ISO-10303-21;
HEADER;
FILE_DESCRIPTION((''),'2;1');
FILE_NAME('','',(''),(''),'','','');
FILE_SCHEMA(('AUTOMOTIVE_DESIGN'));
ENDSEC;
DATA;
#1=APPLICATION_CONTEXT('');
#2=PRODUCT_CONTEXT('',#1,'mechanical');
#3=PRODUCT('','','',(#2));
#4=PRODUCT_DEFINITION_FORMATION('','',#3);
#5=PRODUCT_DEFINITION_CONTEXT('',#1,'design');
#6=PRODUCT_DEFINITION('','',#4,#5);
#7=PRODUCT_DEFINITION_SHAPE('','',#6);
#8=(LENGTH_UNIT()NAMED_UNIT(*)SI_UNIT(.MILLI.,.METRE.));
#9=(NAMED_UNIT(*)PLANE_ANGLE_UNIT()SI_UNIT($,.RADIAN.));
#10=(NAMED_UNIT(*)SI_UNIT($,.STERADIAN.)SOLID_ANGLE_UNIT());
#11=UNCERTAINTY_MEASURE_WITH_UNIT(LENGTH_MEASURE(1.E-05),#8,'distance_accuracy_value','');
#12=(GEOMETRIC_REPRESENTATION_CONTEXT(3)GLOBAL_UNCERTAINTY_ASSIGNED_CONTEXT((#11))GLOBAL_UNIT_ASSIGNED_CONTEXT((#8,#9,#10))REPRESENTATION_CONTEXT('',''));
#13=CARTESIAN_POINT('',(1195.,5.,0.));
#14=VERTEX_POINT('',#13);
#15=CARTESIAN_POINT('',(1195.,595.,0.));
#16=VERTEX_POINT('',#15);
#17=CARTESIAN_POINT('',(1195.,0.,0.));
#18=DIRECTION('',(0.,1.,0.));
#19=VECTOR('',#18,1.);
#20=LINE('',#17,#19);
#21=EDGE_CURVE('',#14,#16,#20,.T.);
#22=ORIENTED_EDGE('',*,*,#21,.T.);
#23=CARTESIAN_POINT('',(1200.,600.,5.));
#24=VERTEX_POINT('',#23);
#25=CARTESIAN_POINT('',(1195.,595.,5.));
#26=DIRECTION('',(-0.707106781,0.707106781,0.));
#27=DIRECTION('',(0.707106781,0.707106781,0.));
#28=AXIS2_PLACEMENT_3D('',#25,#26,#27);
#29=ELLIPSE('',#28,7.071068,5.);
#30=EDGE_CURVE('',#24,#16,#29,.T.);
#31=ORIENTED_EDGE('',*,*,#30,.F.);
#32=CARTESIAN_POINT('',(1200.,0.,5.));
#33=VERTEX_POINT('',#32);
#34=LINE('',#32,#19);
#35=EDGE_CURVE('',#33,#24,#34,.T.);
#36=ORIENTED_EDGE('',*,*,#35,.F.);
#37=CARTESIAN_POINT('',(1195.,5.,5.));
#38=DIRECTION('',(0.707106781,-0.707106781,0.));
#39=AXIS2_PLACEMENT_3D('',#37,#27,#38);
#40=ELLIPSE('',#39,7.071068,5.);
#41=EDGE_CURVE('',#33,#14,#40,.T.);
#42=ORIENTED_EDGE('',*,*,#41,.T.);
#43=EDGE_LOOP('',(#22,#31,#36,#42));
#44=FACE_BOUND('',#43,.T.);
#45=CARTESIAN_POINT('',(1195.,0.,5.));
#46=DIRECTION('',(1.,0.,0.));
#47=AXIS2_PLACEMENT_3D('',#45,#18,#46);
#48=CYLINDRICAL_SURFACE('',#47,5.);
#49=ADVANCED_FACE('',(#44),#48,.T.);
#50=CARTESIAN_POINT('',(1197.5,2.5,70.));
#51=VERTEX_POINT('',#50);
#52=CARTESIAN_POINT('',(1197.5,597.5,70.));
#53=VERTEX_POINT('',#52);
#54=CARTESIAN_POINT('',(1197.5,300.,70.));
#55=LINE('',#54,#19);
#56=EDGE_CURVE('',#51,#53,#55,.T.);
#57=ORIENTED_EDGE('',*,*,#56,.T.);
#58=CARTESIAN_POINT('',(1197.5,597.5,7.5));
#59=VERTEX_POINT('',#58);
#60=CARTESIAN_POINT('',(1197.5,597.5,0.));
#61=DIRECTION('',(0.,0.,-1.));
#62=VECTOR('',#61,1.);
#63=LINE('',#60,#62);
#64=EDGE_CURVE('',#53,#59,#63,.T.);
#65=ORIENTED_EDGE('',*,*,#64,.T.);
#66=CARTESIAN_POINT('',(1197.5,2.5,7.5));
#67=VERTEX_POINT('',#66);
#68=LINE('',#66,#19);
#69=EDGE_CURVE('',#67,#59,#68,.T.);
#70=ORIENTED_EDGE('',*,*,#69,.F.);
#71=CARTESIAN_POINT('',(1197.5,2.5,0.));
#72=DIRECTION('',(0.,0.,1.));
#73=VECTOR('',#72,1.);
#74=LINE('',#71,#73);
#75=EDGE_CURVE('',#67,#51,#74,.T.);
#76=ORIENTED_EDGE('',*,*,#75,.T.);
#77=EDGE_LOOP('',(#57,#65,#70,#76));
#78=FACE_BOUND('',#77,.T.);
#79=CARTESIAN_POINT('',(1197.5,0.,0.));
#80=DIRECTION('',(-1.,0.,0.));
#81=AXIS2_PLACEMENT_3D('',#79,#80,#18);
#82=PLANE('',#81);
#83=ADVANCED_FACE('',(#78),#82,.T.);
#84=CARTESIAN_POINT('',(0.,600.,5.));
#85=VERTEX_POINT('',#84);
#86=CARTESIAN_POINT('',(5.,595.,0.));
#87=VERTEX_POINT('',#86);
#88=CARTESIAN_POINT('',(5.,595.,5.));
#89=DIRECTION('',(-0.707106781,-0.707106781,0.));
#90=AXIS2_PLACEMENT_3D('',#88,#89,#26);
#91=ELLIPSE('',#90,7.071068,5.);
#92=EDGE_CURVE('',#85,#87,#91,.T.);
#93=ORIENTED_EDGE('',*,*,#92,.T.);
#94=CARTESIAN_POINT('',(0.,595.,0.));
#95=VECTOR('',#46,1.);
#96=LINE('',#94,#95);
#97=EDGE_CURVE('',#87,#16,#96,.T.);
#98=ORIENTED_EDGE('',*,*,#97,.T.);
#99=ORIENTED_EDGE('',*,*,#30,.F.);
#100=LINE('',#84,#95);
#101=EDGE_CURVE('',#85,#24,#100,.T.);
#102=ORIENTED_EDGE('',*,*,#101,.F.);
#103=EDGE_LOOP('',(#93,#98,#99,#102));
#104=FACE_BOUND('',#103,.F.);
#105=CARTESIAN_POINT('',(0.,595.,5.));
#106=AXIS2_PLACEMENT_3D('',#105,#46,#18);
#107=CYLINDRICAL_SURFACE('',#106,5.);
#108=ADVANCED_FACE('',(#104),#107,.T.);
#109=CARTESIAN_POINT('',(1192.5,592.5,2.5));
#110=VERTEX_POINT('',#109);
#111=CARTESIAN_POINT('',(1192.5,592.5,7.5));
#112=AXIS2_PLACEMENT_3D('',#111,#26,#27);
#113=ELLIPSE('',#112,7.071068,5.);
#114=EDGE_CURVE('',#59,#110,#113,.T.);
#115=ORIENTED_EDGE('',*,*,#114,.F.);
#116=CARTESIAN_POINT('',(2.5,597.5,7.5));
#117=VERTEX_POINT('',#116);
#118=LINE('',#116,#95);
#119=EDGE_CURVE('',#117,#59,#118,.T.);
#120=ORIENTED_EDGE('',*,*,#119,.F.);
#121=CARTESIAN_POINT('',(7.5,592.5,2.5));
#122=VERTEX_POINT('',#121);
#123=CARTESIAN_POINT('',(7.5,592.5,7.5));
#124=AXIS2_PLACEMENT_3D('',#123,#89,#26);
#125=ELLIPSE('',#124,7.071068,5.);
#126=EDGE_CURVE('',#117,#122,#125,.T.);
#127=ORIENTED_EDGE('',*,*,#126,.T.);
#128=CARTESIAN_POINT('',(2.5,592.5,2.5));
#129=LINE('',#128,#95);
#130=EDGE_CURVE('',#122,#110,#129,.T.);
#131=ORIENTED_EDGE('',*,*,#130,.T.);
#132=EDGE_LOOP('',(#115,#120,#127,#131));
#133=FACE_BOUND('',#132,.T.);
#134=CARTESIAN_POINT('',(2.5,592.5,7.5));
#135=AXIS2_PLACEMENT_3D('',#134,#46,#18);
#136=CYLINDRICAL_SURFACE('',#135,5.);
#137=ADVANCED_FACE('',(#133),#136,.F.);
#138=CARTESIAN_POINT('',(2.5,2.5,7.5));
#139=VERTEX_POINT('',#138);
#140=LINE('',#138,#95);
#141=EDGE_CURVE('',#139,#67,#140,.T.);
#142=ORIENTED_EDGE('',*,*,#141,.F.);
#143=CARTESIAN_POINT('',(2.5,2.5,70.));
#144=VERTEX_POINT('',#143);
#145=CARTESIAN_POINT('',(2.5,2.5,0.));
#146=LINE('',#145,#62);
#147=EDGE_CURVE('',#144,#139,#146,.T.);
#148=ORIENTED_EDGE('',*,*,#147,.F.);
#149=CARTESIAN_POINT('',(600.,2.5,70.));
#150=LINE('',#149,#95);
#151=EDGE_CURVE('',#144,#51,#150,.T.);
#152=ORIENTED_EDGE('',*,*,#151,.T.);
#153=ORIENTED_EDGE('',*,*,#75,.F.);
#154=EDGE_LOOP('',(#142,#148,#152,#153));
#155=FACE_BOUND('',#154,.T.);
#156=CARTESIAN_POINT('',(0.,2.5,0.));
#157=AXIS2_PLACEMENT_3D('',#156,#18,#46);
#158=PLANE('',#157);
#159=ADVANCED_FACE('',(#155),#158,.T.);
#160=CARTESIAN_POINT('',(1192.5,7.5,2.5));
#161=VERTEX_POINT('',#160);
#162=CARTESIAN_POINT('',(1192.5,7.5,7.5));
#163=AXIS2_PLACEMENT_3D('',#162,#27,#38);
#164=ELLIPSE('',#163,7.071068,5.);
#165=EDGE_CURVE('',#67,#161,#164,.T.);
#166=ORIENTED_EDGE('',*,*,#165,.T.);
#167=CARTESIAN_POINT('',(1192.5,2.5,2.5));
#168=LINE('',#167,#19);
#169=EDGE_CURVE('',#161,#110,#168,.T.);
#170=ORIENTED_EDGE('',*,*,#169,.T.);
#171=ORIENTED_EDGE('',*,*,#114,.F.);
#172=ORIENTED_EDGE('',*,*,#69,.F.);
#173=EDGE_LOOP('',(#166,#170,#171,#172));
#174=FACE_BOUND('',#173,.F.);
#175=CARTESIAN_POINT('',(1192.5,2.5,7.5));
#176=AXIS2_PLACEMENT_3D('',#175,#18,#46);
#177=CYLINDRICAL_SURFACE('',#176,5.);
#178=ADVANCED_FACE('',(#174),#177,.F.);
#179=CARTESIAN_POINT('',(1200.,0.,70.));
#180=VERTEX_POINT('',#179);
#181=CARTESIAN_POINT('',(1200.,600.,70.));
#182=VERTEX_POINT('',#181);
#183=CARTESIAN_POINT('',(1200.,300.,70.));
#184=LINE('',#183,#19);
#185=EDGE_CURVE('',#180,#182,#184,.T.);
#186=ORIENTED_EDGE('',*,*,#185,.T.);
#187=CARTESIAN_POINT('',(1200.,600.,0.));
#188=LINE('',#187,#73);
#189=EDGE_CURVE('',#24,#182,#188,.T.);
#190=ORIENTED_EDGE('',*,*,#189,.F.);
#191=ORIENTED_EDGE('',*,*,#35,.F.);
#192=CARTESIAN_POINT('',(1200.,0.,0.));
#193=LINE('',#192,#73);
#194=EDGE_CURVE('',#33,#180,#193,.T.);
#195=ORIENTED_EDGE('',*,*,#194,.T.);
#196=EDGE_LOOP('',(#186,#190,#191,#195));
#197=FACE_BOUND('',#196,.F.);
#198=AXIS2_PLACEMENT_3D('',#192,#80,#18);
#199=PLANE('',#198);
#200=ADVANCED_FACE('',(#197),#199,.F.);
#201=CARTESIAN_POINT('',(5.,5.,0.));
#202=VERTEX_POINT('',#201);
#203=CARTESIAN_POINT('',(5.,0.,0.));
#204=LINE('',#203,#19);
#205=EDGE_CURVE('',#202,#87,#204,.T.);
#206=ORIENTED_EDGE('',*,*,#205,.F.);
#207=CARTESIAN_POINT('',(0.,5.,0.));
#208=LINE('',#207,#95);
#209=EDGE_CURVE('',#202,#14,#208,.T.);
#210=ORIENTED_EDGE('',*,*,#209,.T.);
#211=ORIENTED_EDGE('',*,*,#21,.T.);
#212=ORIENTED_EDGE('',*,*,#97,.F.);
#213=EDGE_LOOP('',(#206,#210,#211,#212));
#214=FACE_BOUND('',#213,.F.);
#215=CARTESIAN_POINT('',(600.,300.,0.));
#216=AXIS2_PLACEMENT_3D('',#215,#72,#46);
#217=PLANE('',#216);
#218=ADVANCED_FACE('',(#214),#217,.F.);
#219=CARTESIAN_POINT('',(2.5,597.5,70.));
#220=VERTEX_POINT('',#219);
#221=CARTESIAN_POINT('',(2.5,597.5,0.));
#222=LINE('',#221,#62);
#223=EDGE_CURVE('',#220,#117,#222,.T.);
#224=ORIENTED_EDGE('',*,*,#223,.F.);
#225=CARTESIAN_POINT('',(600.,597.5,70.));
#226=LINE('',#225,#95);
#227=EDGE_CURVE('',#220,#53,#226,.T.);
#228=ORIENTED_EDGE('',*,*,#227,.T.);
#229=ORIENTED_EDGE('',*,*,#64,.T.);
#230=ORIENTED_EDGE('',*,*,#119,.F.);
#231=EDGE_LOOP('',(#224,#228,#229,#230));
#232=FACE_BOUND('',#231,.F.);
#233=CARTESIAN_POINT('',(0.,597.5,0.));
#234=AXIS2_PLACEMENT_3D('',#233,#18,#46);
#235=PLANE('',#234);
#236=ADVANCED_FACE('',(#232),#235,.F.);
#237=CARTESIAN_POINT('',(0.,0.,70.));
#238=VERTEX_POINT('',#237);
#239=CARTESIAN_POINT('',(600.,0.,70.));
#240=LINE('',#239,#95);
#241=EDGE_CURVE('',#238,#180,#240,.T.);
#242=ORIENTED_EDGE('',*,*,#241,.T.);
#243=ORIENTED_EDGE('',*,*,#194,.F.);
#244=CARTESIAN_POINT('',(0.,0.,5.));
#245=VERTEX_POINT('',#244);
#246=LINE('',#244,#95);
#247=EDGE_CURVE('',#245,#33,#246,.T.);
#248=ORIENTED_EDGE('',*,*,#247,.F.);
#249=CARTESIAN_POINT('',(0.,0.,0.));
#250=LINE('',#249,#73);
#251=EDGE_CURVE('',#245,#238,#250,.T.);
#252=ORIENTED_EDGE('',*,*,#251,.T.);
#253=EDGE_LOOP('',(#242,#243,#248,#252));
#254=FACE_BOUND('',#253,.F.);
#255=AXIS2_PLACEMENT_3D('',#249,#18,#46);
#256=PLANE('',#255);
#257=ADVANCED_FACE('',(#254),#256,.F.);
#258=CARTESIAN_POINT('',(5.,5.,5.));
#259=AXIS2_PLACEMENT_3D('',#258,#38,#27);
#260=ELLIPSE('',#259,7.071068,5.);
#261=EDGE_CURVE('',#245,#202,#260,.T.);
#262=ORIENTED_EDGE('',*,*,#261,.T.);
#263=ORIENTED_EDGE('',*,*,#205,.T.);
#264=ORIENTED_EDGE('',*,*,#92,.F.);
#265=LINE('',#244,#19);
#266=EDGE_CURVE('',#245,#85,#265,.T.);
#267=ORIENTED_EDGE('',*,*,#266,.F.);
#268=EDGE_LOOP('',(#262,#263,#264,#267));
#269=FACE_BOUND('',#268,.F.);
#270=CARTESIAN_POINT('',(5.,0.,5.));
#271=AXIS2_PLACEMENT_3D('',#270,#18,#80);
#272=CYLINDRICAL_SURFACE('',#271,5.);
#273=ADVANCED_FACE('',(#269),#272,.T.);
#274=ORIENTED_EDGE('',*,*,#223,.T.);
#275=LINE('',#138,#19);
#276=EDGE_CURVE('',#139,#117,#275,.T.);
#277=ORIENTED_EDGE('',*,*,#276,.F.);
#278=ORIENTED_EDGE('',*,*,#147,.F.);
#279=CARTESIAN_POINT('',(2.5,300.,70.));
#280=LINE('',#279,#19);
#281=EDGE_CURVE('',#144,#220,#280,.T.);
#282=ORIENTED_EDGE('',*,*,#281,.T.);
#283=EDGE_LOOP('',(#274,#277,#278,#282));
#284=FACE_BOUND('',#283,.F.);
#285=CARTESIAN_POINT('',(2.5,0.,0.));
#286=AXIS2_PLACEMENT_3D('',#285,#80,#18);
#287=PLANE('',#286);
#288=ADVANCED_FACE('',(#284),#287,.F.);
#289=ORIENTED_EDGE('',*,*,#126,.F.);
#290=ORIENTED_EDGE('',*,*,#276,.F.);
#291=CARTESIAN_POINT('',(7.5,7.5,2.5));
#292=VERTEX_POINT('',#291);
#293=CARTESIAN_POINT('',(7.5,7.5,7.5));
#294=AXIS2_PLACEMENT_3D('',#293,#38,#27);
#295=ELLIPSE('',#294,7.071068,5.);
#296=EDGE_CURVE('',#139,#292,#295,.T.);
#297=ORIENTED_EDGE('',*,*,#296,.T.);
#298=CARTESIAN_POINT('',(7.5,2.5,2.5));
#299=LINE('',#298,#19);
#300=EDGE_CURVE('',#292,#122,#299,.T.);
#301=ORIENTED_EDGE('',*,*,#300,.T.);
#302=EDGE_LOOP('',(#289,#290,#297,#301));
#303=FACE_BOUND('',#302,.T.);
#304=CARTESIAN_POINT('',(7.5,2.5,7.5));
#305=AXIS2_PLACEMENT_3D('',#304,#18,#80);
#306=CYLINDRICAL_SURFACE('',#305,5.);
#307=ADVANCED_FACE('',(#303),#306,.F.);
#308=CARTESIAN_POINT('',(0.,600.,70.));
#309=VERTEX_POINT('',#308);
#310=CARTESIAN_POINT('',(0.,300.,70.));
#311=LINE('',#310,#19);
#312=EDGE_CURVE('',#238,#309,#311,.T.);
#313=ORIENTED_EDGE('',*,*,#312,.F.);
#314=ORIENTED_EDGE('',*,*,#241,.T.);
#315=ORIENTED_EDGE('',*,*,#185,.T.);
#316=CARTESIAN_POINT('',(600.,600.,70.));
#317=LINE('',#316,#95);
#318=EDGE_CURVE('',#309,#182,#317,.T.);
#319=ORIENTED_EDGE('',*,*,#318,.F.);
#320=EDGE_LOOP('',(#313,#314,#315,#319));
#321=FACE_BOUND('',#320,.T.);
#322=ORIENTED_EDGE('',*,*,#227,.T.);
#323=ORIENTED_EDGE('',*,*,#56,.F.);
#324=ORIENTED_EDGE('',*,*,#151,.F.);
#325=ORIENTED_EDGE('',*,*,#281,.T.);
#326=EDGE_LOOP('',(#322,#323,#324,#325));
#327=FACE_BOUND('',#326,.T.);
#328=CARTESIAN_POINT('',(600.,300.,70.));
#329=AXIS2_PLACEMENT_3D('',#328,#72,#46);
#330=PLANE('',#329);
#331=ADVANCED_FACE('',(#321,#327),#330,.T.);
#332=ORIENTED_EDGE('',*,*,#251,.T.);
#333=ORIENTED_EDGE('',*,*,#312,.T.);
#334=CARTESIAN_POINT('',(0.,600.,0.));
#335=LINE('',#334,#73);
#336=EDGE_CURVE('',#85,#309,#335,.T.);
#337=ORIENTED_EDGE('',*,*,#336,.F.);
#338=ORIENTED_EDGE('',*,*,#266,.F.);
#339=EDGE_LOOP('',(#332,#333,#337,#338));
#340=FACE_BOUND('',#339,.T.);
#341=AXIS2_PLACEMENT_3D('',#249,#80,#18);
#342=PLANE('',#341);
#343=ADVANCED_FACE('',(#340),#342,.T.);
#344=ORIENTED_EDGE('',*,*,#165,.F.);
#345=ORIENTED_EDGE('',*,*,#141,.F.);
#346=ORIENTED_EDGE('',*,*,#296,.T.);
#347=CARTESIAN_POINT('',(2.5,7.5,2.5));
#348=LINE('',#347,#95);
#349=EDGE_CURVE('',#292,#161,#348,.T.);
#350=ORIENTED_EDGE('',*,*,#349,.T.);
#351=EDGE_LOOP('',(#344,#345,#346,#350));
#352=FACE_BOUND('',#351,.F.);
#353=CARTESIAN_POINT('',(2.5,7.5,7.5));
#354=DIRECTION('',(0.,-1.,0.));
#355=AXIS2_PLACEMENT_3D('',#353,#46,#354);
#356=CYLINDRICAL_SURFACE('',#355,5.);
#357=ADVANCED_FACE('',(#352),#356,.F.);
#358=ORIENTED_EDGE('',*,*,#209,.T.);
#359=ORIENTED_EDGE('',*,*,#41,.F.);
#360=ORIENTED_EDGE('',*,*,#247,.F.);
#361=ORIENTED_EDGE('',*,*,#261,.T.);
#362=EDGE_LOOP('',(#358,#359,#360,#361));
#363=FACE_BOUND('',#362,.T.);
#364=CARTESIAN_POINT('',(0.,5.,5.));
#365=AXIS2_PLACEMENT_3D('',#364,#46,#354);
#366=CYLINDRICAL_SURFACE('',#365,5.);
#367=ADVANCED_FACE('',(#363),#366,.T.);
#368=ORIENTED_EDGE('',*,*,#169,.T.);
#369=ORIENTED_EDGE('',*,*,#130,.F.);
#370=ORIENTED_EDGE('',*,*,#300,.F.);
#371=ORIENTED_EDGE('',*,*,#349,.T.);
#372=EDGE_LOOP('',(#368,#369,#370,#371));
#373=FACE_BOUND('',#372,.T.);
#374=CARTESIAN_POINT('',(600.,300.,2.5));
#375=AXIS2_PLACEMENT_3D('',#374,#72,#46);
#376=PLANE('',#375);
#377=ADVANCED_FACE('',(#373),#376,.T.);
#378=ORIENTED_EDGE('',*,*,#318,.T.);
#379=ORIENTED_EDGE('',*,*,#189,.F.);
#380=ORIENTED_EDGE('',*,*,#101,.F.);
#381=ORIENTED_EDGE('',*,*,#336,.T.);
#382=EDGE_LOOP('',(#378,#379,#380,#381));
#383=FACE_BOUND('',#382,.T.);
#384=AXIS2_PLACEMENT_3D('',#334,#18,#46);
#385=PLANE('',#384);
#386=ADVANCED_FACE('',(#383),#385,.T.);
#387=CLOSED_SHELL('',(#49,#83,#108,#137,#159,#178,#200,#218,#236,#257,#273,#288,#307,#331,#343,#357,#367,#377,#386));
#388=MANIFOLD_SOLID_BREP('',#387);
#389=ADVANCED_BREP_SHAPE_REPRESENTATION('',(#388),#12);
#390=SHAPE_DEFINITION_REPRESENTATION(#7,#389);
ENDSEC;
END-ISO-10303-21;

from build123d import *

# Parameters (mm, degrees)
F0_W     = 1200
F0_H     = 600
F1_DEPTH = 70
F2_T     = -2.5
F3_R     = 5
F4_R     = 5


with BuildPart() as f1:
    # F0 (on Top) → F1 (new body)
    with BuildSketch(Plane.XY):
        with Locations((600, 300)):
            Rectangle(F0_W, F0_H)
    extrude(amount=F1_DEPTH)

    # F2
    f2_openings = [f1.faces().sort_by_distance(p)[0] for p in [
        (600, 300, 70),
    ]]
    offset(amount=F2_T, openings=f2_openings)

    # F3
    f3_edges = [f1.edges().sort_by_distance(p)[0] for p in [
        (0, 300, 0),
        (600, 0, 0),
        (1200, 300, 0),
        (600, 600, 0),
    ]]
    fillet(f3_edges, radius=F3_R)

    # F4
    f4_edges = [f1.edges().sort_by_distance(p)[0] for p in [
        (2.5, 300, 2.5),
        (600, 2.5, 2.5),
        (1197.5, 300, 2.5),
        (600, 597.5, 2.5),
    ]]
    fillet(f4_edges, radius=F4_R)


solid = f1.part
